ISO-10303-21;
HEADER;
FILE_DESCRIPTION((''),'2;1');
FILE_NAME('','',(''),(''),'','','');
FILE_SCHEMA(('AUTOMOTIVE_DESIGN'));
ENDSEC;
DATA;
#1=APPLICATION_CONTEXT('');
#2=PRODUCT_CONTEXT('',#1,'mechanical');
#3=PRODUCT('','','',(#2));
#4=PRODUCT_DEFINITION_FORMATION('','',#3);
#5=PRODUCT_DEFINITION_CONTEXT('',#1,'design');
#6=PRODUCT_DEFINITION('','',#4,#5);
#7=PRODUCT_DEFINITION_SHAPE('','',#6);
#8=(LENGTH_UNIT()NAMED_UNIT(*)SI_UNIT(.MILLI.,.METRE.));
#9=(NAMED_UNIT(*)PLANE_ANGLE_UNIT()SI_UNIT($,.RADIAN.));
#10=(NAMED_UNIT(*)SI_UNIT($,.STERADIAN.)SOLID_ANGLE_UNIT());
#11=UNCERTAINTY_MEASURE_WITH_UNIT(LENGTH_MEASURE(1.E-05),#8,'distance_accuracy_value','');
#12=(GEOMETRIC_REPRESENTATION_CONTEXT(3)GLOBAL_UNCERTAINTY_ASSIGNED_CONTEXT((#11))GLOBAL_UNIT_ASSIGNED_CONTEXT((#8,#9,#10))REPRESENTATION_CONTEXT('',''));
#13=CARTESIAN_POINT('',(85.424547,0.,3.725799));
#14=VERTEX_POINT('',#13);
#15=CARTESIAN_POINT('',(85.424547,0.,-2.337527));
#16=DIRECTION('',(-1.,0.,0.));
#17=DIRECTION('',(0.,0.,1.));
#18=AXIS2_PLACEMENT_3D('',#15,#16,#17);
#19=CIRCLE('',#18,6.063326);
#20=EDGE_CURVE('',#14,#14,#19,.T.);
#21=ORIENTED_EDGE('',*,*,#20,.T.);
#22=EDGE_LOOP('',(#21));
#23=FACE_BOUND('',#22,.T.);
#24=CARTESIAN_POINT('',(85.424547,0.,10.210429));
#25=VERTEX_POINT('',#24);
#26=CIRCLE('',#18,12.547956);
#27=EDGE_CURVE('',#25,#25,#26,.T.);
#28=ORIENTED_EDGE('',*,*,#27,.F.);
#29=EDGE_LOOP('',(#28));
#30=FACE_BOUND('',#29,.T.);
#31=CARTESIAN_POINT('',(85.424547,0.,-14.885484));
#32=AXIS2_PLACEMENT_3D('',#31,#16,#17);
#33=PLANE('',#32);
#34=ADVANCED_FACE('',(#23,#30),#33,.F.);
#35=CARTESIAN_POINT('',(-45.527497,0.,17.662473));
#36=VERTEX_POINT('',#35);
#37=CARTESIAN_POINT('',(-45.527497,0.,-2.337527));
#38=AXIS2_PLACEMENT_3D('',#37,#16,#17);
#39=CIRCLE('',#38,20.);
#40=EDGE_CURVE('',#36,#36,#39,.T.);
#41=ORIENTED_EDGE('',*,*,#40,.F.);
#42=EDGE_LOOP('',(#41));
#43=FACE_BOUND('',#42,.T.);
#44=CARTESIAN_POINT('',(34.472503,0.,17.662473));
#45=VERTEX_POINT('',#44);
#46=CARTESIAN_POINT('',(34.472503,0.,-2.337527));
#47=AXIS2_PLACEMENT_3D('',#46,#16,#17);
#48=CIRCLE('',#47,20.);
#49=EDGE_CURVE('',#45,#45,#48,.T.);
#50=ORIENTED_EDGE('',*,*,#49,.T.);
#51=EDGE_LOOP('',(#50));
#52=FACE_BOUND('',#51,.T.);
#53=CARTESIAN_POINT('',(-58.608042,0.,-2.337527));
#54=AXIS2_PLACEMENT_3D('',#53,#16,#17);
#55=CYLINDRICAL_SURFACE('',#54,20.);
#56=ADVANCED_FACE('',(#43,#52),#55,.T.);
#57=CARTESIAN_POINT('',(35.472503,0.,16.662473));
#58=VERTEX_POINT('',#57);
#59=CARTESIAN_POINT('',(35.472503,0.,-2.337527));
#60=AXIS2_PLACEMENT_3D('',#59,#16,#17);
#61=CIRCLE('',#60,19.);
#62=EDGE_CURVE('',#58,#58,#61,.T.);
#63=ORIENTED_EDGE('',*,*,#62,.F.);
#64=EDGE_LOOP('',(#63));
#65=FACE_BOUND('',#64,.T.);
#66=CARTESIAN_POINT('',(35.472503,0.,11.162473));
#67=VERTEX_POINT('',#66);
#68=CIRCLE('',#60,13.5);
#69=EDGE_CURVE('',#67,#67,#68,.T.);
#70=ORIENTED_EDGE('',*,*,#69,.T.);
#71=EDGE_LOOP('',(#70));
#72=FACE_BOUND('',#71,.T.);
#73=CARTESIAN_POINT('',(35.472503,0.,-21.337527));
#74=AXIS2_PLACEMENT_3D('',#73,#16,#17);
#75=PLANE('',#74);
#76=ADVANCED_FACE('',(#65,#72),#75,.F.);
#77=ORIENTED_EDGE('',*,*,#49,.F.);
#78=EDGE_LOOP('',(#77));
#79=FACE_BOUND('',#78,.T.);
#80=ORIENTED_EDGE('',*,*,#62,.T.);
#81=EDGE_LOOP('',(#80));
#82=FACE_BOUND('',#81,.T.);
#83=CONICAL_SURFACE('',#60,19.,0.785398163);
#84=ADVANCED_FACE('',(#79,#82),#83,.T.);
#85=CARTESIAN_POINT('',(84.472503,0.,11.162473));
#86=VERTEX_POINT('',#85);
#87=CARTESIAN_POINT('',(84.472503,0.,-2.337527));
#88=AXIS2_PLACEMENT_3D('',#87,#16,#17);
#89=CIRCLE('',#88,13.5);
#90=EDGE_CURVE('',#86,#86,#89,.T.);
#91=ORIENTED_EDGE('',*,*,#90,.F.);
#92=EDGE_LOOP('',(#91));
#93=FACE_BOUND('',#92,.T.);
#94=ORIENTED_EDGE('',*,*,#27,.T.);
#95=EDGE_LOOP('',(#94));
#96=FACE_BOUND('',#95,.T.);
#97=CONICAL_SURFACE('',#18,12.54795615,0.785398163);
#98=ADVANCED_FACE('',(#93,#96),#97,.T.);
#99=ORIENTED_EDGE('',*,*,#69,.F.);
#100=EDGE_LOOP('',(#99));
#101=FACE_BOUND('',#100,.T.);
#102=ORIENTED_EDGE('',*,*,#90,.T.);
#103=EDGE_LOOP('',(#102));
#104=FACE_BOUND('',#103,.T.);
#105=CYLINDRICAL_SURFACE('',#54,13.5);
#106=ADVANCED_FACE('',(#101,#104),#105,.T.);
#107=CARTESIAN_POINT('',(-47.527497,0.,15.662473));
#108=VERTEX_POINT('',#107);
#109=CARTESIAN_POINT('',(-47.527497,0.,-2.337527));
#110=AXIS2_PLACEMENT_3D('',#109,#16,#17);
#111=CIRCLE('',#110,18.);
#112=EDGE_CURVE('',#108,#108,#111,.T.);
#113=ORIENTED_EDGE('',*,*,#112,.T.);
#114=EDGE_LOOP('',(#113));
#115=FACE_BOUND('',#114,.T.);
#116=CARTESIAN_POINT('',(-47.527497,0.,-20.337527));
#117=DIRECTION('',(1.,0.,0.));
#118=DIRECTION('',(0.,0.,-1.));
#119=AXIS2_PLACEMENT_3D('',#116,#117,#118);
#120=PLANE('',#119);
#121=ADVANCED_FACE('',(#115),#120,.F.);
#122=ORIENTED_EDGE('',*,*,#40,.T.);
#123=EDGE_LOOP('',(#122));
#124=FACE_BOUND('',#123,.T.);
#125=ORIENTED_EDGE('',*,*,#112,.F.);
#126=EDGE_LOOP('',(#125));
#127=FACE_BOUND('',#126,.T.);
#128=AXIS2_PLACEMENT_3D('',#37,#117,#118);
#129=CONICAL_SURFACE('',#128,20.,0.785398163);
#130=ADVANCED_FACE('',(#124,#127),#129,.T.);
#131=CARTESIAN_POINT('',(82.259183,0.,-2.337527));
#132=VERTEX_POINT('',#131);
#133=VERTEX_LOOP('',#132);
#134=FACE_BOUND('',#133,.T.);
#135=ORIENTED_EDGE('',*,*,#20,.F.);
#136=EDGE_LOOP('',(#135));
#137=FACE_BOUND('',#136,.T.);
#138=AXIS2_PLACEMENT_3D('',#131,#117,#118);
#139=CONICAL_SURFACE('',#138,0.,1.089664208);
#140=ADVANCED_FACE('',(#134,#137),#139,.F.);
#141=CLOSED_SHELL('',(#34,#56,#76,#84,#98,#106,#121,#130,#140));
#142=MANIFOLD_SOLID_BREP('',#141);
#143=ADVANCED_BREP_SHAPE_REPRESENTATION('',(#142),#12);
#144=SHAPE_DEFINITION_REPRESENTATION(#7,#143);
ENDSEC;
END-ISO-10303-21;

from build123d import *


with BuildPart() as part:
    # Эскиз2 → Повернуть2 (revolve)
    with BuildSketch(Plane(origin=(0, 0, 0), x_dir=(1, 0, 0), z_dir=(0, 1, 0)), mode=Mode.PRIVATE) as revolve_2_sk:
        Polygon((-45.527497303, 22.337527379), (34.472502697, 22.337527379), (35.472502697, 21.337527379), (35.472502697, 15.837527379), (84.472502697, 15.837527379), (85.424546547, 14.885483529), (85.424546547, 8.400853563), (82.259183132, 2.337527379), (-47.527497303, 2.337527379), (-47.527497303, 20.337527379), align=None)
    revolve(revolve_2_sk.sketch.rotate(Axis((-58.608041749, 0, -2.337527379), (1, 0, 0)), 180), axis=Axis((-58.608041749, 0, -2.337527379), (1, 0, 0)))


solid = part.part
